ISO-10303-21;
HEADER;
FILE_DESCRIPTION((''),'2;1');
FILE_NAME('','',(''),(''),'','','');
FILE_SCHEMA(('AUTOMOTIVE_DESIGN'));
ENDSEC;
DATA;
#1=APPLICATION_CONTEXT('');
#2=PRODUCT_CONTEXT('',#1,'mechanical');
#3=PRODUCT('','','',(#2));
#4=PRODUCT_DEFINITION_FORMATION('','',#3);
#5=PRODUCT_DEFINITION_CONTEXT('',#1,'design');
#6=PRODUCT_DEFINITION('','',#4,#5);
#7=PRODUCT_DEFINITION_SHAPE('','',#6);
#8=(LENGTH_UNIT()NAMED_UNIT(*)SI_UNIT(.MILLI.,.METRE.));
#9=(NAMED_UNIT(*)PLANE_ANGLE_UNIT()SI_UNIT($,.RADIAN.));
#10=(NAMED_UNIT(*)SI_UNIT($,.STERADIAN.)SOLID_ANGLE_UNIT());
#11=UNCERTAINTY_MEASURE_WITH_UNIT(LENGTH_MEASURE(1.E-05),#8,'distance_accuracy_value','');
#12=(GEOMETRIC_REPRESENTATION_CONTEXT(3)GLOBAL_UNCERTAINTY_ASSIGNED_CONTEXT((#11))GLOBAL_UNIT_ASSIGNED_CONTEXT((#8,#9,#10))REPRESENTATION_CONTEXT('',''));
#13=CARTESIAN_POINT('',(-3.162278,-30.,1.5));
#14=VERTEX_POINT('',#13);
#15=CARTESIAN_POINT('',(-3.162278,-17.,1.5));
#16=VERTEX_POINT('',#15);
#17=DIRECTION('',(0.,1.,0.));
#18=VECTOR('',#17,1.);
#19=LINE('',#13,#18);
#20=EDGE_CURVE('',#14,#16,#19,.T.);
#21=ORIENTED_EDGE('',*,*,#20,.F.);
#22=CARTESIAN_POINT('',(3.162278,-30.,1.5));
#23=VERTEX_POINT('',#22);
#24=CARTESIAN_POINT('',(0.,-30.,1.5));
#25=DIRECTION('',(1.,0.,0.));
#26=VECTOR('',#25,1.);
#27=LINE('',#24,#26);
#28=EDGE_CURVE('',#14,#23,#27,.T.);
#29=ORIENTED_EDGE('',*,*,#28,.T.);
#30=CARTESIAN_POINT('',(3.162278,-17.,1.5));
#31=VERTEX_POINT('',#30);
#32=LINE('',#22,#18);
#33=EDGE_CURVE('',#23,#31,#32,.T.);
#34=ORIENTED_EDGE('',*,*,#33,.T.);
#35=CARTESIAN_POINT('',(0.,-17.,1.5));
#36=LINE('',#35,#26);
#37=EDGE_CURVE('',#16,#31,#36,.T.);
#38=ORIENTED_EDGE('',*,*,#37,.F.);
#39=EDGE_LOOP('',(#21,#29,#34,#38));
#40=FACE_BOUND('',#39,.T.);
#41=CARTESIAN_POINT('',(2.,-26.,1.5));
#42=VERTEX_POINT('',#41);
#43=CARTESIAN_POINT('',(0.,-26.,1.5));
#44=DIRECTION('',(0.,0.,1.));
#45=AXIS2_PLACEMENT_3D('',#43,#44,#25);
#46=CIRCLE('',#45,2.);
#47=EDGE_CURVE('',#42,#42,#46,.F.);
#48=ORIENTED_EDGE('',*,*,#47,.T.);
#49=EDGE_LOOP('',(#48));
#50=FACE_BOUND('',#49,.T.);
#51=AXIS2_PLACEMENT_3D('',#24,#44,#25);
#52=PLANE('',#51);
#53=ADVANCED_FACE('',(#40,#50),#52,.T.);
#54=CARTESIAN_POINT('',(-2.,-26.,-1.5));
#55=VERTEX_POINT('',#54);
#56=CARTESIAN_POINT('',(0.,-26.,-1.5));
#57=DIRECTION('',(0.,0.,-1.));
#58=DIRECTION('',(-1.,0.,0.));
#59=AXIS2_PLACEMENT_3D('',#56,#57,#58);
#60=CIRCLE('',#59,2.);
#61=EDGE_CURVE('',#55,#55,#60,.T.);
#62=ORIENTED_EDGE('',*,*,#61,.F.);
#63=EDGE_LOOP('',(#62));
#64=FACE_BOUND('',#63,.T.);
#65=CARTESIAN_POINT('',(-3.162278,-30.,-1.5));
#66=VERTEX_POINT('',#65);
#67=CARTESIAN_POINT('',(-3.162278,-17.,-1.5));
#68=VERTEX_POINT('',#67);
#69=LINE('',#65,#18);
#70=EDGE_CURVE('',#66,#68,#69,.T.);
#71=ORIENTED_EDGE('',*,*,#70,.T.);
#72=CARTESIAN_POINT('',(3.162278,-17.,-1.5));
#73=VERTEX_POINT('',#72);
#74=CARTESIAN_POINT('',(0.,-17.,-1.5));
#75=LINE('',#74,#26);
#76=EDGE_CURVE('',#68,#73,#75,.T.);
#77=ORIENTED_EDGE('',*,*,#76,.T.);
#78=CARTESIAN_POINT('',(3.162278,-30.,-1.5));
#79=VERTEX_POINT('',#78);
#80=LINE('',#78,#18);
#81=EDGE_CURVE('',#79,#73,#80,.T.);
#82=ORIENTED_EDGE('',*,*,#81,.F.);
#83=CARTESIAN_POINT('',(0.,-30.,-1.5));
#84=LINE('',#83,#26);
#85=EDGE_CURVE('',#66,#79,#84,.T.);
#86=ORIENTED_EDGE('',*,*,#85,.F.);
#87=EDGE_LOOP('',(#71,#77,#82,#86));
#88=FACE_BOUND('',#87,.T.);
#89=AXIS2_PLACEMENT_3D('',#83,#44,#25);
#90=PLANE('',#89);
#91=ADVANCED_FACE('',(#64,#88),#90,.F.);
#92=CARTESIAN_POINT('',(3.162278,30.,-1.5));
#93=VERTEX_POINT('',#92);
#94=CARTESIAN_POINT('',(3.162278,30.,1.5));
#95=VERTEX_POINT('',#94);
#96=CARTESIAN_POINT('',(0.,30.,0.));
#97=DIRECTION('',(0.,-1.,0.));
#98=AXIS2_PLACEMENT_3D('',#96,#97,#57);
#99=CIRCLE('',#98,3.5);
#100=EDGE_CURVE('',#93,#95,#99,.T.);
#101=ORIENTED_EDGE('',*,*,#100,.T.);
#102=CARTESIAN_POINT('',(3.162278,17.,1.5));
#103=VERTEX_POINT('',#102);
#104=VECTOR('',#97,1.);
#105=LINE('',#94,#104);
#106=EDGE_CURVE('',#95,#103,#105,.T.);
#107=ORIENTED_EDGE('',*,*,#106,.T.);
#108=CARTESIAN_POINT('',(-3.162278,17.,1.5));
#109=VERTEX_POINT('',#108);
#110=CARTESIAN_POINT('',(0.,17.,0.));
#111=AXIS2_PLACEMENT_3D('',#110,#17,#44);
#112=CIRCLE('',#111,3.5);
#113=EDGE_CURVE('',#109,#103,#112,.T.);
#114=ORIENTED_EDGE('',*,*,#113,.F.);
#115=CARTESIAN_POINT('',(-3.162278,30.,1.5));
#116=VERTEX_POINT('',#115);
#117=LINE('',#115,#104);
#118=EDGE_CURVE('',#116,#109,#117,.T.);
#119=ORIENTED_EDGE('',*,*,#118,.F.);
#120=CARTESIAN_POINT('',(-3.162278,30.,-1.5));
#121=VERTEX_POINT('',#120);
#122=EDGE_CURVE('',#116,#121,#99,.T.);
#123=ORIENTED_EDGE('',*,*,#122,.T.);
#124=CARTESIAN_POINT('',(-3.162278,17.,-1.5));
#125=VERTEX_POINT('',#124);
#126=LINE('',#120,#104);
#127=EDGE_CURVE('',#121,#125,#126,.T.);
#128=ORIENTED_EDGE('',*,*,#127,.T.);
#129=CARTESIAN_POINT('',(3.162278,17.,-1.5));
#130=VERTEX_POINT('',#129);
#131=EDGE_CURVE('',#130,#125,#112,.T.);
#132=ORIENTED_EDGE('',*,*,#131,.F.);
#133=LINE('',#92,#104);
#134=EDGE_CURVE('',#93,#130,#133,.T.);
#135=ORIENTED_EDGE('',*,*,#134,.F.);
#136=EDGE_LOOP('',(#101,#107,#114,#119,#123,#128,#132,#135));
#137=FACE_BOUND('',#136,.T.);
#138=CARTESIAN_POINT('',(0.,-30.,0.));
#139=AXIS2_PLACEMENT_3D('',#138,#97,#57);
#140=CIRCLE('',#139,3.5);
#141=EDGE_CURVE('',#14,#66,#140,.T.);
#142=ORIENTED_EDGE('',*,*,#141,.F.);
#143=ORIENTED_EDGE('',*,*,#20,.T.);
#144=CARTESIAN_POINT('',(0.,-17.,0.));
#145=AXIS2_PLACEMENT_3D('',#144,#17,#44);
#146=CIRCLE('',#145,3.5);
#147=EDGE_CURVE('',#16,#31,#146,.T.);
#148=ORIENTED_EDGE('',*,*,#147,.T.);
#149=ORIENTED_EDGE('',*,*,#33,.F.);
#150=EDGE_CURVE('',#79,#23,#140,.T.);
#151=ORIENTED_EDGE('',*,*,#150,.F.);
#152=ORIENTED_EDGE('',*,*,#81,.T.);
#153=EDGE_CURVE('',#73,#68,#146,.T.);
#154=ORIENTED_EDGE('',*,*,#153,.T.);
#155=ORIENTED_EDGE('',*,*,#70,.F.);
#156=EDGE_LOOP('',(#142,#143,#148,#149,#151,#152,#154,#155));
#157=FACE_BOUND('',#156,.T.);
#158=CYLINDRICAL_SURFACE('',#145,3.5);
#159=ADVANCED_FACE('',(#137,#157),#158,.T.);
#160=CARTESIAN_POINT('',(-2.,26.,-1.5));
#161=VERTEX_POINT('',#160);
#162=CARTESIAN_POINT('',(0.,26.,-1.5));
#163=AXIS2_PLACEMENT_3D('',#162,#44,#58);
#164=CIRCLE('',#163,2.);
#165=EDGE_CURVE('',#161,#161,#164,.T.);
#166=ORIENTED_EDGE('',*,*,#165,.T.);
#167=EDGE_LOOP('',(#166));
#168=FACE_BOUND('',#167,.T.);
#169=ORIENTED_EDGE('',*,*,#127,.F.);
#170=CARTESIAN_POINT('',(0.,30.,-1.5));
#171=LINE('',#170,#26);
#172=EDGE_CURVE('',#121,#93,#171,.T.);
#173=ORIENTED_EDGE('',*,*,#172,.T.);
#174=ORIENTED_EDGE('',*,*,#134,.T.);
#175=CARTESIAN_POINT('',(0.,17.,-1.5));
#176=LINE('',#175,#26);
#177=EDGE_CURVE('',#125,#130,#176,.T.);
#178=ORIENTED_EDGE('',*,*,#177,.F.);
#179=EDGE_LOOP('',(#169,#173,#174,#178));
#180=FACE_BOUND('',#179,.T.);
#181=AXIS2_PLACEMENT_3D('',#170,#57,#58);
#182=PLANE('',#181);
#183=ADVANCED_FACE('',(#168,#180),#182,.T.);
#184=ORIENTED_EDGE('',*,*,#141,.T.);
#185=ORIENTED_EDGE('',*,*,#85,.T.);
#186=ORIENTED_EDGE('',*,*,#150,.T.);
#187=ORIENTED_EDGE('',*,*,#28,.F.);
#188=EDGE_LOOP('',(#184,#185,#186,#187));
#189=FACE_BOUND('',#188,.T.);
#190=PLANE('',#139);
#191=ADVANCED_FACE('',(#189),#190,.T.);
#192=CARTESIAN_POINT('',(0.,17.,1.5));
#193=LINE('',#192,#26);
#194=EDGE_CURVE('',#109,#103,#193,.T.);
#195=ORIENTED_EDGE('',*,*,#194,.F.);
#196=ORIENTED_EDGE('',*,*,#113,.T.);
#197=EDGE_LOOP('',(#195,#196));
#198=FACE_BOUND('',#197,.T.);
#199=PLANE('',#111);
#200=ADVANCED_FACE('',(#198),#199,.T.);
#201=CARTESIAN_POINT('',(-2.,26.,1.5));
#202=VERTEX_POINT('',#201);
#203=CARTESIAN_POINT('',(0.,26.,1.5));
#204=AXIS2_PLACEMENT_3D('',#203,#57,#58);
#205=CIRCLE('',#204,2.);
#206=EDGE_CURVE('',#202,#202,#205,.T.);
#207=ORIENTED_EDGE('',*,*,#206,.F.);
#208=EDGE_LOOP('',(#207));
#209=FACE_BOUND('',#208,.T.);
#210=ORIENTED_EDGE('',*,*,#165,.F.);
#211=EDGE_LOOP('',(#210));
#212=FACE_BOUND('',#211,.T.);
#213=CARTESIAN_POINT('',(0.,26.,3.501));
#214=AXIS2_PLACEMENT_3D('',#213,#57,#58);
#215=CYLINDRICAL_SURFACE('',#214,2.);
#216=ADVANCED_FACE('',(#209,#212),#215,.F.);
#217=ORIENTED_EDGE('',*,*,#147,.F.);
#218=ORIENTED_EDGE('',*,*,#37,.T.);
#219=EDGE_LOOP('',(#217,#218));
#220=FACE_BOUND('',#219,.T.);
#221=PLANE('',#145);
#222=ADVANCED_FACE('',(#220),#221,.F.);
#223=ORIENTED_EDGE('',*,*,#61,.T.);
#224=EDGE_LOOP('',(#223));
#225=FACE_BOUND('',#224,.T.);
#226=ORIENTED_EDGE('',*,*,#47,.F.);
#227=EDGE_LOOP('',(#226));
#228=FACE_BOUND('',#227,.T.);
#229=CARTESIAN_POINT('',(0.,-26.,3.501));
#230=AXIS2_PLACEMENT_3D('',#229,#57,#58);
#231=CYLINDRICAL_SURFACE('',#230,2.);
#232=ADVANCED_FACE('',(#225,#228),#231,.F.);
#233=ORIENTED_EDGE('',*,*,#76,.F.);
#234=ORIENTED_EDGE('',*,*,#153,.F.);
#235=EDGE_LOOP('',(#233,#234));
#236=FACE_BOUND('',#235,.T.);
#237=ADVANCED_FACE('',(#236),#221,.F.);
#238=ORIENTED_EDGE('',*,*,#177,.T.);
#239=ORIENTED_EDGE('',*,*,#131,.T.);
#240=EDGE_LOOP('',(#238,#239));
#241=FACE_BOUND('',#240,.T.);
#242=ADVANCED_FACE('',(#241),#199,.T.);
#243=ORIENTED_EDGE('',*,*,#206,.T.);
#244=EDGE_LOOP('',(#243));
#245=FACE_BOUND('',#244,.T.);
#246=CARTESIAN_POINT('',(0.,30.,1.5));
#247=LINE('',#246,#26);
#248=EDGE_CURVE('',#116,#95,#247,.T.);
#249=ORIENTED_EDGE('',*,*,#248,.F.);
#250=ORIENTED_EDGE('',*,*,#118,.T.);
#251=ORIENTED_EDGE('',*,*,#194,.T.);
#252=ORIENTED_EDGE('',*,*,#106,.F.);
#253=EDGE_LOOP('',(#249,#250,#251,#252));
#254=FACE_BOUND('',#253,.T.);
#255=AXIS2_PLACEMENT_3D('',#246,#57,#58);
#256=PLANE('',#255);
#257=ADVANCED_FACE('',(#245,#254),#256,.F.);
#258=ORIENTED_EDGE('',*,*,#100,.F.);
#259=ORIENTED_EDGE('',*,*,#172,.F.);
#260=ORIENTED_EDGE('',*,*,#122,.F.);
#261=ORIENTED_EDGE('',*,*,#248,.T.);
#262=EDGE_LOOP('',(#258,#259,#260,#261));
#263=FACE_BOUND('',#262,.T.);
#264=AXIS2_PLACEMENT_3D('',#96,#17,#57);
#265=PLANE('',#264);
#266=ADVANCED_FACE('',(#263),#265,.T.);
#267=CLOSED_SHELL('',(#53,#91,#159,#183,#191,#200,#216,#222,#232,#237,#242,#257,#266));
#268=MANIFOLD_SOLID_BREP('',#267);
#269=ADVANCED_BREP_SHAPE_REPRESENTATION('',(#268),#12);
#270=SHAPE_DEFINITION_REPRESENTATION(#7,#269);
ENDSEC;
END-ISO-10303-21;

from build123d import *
from build123d.topology import SkipClean

# Parameters (mm, degrees)
EXTRUDE_1_DEPTH      = 17
EXTRUDE_1_DEPTH_BACK = 17
SKETCH_1_R           = 3.5
EXTRUDE_2_DEPTH      = 13
CUT_EXTRUDE_1_REACH  = 32.615
SKETCH_5_R           = 2


with BuildPart() as part:
    # 草图1 → 凸台-拉伸1 (new, two sides: drawn at the far end of the back side and taken through both)
    with BuildSketch(Plane(origin=(0, 0, 0), x_dir=(1, 0, 0), z_dir=(0, 1, 0)).offset(-EXTRUDE_1_DEPTH_BACK)):
        Circle(SKETCH_1_R)
    extrude(amount=EXTRUDE_1_DEPTH + EXTRUDE_1_DEPTH_BACK)

    # 草图2 → 凸台-拉伸2 (add)
    with SkipClean():  # the faces are left unmerged after this step: merging them gives an invalid solid
        with BuildSketch(Plane.XZ.offset(17)):
            with BuildLine():
                Line((3.16227766, 1.5), (-3.16227766, 1.5))
                ThreePointArc((-3.16227766, 1.5), (-3.5, 0), (-3.16227766, -1.5))
                Line((-3.16227766, -1.5), (3.16227766, -1.5))
                ThreePointArc((3.16227766, -1.5), (3.414525722, -0.768774411), (3.5, 0))
                ThreePointArc((3.5, 0), (3.414525722, 0.768774411), (3.16227766, 1.5))
            make_face()
        extrude_2 = extrude(amount=EXTRUDE_2_DEPTH)

    # 草图5 → 切除-拉伸1 (cut, up to next)
    with BuildSketch(Plane(origin=(0, 0, -1.5), x_dir=(-1, 0, 0), z_dir=(0, 0, -1)), mode=Mode.PRIVATE) as cut_extrude_1_sk1:
        with Locations((0, -26)):
            Circle(SKETCH_5_R)
    cut_extrude_1_tool1 = extrude(cut_extrude_1_sk1.sketch, amount=-CUT_EXTRUDE_1_REACH, mode=Mode.PRIVATE) & part.part
    cut_extrude_1 = cut_extrude_1_tool1.solids().sort_by_distance((0, -26, -1.5))[0]
    add(cut_extrude_1, mode=Mode.SUBTRACT)

    # 镜向2: 凸台-拉伸2, 切除-拉伸1 across plane
    with SkipClean():  # the faces are left unmerged after this step: merging them gives an invalid solid
        add(extrude_2.mirror(Plane.ZX))
        add(cut_extrude_1.mirror(Plane.ZX), mode=Mode.SUBTRACT)


solid = part.part
